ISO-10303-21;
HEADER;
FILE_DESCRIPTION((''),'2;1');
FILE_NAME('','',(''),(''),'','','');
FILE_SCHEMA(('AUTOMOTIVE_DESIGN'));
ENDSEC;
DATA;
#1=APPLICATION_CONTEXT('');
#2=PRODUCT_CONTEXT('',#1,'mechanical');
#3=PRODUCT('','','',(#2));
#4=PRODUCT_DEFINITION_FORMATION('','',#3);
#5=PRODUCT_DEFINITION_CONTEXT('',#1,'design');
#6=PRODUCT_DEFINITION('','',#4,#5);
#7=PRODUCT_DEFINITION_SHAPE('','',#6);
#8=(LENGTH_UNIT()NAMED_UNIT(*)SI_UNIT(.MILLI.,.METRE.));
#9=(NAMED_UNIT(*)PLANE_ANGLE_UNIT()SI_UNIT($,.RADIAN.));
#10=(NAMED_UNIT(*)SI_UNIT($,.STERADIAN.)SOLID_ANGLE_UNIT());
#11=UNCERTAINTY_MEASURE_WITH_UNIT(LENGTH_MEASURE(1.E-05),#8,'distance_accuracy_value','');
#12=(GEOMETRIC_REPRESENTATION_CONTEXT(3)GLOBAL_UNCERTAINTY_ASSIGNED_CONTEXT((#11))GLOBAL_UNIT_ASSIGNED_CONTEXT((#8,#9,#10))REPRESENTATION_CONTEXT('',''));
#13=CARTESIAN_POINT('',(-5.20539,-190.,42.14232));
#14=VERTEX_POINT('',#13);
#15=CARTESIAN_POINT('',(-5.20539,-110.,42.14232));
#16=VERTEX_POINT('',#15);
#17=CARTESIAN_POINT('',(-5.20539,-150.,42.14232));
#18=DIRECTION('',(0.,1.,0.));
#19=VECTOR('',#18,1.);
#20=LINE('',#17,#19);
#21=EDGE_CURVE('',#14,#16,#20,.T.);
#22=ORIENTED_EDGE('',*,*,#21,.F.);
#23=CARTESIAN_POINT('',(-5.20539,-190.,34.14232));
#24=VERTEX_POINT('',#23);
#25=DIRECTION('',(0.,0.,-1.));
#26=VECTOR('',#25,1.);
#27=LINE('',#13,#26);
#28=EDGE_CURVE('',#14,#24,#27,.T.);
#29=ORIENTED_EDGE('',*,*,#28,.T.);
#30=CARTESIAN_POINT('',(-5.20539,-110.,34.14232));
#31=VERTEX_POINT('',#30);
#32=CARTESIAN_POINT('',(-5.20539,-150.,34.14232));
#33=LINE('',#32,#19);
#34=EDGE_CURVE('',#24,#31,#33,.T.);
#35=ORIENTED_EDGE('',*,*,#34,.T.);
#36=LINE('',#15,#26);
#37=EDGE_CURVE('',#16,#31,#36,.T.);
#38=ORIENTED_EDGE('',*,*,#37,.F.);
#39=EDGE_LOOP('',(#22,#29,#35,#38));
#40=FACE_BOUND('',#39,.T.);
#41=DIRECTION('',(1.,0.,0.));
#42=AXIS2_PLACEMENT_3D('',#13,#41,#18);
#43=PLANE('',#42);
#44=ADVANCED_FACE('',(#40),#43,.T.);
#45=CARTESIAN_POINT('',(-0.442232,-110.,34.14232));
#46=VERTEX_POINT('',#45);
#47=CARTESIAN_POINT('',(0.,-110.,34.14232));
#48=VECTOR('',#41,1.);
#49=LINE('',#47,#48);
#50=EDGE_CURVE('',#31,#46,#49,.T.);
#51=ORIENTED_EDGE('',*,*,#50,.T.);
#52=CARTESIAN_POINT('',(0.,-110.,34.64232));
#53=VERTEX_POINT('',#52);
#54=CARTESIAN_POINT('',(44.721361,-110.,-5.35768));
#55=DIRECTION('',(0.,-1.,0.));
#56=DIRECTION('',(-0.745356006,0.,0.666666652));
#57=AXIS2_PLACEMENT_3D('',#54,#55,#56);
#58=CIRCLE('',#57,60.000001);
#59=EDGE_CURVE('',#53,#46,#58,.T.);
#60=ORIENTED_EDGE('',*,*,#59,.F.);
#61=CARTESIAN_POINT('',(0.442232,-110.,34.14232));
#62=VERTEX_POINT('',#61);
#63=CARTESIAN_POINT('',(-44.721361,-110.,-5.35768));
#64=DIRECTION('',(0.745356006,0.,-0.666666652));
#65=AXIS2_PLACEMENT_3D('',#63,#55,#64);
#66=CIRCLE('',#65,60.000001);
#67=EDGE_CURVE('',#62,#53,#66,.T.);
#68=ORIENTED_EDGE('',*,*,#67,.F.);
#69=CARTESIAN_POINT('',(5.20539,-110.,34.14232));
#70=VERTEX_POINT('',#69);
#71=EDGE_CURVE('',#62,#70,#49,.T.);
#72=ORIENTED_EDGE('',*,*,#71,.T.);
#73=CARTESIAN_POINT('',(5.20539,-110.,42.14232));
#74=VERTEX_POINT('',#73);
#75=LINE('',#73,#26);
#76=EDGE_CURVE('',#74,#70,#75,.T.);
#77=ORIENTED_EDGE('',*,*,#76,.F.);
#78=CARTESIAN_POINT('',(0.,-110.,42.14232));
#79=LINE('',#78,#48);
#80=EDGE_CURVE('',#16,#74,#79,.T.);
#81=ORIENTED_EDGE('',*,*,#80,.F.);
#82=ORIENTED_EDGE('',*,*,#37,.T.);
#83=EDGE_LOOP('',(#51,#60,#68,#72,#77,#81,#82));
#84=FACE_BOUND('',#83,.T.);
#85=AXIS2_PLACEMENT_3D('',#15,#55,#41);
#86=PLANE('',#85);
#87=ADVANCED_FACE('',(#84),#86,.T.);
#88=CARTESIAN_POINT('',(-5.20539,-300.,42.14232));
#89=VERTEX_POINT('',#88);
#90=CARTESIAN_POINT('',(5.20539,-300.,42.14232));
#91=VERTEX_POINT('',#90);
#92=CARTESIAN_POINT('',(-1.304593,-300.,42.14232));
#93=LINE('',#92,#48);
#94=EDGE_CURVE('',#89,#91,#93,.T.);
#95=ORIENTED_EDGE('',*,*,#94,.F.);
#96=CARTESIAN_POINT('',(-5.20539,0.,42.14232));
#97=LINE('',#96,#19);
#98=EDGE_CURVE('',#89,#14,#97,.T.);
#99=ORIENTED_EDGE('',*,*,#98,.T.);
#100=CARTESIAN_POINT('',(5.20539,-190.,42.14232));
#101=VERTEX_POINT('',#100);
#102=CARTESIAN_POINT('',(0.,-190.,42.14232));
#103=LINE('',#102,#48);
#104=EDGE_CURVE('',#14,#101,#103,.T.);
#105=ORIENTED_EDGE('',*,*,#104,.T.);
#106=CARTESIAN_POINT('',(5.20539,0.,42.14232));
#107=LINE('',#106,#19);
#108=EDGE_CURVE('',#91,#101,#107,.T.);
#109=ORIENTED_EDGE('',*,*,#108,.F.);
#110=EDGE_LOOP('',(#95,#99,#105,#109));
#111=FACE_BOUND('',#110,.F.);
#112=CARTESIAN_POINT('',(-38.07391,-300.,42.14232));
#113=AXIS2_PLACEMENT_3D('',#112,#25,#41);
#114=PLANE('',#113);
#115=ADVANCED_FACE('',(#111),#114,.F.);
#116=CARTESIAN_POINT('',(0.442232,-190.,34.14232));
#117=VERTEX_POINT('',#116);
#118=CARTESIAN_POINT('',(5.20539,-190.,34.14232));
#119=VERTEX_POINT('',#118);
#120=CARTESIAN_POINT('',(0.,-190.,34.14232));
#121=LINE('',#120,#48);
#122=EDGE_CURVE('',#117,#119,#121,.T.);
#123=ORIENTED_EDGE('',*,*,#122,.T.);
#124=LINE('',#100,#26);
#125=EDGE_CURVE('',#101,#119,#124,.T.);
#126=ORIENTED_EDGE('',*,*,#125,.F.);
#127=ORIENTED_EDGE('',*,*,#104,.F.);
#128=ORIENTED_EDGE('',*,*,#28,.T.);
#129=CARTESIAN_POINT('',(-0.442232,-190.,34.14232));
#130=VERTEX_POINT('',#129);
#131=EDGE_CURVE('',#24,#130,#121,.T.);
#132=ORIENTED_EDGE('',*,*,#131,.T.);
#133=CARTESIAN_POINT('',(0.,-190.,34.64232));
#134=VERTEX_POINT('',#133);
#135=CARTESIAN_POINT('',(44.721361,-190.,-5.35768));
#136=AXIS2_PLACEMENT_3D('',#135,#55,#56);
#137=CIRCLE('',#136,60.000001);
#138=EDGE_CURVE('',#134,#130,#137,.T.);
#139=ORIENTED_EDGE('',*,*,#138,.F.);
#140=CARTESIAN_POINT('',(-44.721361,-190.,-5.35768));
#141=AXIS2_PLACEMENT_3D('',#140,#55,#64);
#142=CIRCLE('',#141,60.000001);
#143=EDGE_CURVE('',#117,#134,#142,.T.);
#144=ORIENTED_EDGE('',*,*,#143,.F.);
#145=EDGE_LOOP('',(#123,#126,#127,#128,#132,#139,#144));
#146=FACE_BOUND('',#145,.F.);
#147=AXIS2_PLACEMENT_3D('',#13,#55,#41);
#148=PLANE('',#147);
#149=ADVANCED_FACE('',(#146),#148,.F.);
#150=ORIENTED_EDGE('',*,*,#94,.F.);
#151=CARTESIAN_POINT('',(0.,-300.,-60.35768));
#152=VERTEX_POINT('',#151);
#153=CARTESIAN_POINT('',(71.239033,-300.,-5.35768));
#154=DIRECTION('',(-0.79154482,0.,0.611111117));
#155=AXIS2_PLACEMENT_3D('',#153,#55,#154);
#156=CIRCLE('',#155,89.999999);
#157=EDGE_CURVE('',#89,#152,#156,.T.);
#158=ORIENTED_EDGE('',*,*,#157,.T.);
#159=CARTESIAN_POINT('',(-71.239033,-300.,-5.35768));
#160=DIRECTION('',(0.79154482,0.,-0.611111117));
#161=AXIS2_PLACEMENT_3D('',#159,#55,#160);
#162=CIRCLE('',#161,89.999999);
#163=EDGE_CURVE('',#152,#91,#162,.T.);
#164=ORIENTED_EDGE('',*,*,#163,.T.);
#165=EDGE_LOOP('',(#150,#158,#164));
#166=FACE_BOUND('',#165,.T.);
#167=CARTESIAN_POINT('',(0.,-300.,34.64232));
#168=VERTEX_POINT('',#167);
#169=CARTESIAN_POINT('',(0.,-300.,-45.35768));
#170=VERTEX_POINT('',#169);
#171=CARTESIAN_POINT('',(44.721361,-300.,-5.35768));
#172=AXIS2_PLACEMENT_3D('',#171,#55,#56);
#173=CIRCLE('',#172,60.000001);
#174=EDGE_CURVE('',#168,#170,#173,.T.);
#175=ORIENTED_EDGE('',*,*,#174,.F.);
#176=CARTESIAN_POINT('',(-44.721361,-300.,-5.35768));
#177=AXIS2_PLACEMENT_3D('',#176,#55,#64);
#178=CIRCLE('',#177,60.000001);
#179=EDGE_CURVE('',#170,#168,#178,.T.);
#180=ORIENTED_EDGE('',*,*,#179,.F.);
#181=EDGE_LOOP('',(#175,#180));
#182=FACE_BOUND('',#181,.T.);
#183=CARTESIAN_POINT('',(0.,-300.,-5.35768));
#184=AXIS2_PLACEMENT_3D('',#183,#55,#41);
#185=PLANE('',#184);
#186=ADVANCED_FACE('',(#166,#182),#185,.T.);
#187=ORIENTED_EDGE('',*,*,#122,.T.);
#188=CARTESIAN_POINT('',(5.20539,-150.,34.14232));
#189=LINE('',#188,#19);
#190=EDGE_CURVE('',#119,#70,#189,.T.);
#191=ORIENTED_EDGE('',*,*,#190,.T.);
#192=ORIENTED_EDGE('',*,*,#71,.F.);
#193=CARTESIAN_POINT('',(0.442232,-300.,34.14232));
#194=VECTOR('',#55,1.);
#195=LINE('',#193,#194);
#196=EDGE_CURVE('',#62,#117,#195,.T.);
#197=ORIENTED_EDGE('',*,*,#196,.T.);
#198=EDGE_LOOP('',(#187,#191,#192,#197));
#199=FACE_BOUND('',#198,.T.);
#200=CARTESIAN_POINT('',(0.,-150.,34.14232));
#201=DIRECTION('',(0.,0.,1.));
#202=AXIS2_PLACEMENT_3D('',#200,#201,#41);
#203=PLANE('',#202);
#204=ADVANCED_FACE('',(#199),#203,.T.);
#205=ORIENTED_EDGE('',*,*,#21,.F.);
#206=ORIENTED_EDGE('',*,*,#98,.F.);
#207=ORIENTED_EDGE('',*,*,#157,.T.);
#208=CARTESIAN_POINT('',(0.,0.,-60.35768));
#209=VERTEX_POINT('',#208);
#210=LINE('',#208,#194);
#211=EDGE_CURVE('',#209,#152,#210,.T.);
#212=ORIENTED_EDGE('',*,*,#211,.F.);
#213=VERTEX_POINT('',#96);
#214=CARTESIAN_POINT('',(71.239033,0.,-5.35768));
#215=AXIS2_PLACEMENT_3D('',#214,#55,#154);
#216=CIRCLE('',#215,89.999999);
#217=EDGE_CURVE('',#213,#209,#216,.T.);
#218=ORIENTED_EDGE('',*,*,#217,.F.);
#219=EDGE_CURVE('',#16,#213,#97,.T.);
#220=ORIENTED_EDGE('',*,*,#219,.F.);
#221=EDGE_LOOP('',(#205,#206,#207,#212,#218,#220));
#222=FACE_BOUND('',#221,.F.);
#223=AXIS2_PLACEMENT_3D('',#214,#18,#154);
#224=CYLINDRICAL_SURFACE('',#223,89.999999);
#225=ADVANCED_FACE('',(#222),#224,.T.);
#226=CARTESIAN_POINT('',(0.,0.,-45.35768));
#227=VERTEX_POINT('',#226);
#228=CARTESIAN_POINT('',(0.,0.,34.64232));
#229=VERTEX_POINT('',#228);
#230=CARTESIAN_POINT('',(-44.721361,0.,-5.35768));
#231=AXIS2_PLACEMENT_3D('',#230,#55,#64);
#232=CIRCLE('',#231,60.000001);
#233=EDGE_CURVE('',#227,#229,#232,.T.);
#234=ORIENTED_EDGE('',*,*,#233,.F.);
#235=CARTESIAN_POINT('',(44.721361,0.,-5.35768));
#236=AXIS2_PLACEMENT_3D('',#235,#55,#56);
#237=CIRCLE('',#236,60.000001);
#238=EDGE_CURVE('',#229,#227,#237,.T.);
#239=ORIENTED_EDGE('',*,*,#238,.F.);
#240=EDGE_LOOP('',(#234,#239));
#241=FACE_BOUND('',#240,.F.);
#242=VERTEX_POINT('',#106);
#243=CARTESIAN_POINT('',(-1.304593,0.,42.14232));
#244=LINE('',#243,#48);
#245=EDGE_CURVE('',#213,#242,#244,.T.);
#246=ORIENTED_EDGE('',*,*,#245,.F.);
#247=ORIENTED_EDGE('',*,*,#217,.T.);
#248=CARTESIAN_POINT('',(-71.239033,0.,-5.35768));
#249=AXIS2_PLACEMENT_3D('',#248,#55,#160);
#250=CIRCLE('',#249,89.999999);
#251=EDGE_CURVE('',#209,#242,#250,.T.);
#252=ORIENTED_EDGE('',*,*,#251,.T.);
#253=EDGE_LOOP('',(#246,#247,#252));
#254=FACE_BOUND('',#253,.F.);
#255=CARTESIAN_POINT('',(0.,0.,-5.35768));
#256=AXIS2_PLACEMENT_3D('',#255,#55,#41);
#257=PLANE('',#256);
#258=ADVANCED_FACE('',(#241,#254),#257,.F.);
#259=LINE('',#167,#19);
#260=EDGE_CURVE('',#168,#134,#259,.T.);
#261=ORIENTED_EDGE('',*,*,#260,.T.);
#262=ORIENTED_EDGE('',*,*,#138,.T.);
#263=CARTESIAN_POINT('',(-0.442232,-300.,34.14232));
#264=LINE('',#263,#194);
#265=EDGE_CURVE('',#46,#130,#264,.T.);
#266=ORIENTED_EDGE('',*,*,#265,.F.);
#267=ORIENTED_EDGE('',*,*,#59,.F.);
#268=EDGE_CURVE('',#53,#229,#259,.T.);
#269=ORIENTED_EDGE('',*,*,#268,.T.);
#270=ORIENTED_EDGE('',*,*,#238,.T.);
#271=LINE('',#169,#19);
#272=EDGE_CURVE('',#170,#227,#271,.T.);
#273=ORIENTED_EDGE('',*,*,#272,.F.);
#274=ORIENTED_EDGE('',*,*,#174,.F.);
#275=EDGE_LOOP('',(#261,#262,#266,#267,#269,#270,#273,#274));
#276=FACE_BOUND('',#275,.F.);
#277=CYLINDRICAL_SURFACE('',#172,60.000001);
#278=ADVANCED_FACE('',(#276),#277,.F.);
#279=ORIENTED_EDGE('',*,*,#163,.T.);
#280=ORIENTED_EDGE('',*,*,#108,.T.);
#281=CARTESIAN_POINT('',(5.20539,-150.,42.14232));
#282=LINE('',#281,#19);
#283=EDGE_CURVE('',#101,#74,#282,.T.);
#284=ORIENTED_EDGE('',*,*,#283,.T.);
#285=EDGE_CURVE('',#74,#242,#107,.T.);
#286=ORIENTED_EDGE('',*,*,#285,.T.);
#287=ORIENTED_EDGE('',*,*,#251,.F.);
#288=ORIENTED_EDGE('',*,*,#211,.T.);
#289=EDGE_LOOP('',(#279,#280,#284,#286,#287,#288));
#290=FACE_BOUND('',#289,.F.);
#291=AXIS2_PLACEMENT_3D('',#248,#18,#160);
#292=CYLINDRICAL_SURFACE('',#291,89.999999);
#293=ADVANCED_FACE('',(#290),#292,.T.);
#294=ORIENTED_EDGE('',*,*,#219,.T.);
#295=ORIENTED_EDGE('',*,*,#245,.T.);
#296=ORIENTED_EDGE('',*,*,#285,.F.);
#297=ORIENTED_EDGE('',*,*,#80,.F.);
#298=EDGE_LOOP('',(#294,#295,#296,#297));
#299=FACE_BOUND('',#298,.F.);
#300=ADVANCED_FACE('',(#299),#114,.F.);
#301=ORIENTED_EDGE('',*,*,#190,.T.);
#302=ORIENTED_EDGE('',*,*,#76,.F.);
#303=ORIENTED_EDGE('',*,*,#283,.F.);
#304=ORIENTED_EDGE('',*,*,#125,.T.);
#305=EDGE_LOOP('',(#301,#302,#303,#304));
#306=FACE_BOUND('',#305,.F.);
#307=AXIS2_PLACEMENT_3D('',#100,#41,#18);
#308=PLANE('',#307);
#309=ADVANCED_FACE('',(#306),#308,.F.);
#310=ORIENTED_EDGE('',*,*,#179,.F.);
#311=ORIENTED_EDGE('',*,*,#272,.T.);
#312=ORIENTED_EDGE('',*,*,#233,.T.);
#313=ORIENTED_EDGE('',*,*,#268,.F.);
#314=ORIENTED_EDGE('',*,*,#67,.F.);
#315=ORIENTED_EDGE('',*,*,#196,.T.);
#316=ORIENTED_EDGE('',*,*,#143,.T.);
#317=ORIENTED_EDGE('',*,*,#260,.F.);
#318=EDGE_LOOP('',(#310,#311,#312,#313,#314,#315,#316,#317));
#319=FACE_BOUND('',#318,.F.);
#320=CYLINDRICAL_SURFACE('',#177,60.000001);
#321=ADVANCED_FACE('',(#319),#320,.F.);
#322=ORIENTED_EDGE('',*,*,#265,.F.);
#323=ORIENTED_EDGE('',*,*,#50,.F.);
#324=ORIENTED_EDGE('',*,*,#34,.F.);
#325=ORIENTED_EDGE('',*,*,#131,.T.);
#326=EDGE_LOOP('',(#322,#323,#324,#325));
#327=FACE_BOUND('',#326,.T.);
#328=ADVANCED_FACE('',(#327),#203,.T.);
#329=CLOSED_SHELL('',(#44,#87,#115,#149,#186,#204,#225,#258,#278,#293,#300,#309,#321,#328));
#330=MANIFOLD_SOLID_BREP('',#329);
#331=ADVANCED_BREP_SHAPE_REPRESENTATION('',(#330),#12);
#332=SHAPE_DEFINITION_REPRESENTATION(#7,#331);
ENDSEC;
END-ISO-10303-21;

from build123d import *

# Parameters (mm, degrees)
F1_DEPTH = 300
F3_DEPTH = 300
F4_W     = 73.538634
F4_H     = 45.165462
F5_DEPTH = 300
F6_W     = 10.41078
F6_H     = 80
F7_DEPTH = 8


with BuildPart() as f1:
    # F0 (on Front) → F1 (new body)
    with BuildSketch(Plane.XZ):
        with BuildLine():
            ThreePointArc((0, 49.64232), (-18.760966, -5.35768), (0, -60.35768))
            ThreePointArc((0, -60.35768), (18.760966, -5.35768), (0, 49.64232))
        make_face()
    extrude(amount=F1_DEPTH)

    # F2 (on face) → F3 (cut)
    with BuildSketch(Plane.XZ.offset(300)):
        with BuildLine():
            ThreePointArc((0, 34.64232), (-15.27864, -5.35768), (0, -45.35768))
            ThreePointArc((0, -45.35768), (15.27864, -5.35768), (0, 34.64232))
        make_face()
    extrude(amount=-F3_DEPTH, mode=Mode.SUBTRACT)

    # F4 (on face) → F5 (cut)
    with BuildSketch(Plane.XZ.offset(300)):
        with Locations((-1.304593, 64.725051)):
            Rectangle(F4_W, F4_H)
    extrude(amount=-F5_DEPTH, mode=Mode.SUBTRACT)

    # F6 (on face) → F7 (cut)
    with BuildSketch(Plane.XY.offset(42.14232)):
        with Locations((0, -150)):
            Rectangle(F6_W, F6_H)
    extrude(amount=-F7_DEPTH, mode=Mode.SUBTRACT)


solid = f1.part
